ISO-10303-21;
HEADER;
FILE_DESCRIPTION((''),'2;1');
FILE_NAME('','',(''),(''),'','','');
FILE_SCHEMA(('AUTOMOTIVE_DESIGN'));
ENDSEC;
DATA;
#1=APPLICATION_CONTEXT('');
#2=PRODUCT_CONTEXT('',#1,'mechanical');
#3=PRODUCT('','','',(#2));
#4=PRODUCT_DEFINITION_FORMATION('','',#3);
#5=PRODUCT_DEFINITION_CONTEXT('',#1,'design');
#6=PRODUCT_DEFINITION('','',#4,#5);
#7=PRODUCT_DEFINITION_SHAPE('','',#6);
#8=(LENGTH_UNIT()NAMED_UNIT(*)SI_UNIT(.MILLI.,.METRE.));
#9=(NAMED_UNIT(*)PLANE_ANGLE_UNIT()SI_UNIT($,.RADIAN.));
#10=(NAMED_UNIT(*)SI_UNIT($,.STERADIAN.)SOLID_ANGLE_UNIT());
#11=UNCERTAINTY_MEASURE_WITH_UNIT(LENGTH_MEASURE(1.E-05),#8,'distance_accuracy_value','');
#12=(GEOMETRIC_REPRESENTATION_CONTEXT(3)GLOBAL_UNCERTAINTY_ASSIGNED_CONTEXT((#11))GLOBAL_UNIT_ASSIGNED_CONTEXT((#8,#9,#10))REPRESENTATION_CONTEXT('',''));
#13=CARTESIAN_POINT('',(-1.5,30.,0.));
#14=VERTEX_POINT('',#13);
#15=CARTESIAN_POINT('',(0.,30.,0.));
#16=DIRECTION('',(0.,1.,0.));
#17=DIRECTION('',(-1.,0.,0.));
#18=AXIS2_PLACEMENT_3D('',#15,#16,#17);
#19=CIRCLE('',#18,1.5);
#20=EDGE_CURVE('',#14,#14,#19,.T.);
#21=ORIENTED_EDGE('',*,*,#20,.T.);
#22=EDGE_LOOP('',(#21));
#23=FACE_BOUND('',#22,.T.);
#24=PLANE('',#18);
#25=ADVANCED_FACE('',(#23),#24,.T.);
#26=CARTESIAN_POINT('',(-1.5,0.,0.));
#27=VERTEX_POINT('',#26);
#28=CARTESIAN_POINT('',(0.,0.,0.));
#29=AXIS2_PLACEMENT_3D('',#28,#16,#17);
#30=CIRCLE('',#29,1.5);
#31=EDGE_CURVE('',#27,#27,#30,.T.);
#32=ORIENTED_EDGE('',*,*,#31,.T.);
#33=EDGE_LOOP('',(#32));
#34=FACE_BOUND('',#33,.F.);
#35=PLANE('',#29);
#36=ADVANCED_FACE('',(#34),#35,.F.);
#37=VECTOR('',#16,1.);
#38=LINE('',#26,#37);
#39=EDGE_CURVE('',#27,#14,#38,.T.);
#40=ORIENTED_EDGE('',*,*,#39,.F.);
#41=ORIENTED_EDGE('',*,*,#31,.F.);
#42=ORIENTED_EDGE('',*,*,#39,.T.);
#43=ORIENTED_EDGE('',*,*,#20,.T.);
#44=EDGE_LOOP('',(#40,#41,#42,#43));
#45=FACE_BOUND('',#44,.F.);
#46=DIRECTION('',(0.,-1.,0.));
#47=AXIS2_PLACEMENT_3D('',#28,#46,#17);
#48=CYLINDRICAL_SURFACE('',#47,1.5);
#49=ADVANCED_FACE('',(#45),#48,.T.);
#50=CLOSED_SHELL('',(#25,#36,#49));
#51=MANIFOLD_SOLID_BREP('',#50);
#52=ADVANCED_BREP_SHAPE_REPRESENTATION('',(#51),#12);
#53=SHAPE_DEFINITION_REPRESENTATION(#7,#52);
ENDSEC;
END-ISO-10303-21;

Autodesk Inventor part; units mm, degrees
ref_plane "YZ Plane" through (0, 0, 0) normal (1, 0, 0) x (0, 1, 0)
ref_plane "XZ Plane" through (0, 0, 0) normal (0, 1, 0) x (-1, 0, 0)
ref_plane "XY Plane" through (0, 0, 0) normal (0, 0, 1) x (1, 0, 0)
sketch "スケッチ1" plane through (0, 0, 0) normal (0, 1, 0) x (-1, 0, 0)
  circle A0 centre (0, 0) radius 1.5
  dimension "d0" = 3
extrude "押し出し1" add sketch "スケッチ1" along normal blind 30
properties part number "shaft_Φ3_60"
